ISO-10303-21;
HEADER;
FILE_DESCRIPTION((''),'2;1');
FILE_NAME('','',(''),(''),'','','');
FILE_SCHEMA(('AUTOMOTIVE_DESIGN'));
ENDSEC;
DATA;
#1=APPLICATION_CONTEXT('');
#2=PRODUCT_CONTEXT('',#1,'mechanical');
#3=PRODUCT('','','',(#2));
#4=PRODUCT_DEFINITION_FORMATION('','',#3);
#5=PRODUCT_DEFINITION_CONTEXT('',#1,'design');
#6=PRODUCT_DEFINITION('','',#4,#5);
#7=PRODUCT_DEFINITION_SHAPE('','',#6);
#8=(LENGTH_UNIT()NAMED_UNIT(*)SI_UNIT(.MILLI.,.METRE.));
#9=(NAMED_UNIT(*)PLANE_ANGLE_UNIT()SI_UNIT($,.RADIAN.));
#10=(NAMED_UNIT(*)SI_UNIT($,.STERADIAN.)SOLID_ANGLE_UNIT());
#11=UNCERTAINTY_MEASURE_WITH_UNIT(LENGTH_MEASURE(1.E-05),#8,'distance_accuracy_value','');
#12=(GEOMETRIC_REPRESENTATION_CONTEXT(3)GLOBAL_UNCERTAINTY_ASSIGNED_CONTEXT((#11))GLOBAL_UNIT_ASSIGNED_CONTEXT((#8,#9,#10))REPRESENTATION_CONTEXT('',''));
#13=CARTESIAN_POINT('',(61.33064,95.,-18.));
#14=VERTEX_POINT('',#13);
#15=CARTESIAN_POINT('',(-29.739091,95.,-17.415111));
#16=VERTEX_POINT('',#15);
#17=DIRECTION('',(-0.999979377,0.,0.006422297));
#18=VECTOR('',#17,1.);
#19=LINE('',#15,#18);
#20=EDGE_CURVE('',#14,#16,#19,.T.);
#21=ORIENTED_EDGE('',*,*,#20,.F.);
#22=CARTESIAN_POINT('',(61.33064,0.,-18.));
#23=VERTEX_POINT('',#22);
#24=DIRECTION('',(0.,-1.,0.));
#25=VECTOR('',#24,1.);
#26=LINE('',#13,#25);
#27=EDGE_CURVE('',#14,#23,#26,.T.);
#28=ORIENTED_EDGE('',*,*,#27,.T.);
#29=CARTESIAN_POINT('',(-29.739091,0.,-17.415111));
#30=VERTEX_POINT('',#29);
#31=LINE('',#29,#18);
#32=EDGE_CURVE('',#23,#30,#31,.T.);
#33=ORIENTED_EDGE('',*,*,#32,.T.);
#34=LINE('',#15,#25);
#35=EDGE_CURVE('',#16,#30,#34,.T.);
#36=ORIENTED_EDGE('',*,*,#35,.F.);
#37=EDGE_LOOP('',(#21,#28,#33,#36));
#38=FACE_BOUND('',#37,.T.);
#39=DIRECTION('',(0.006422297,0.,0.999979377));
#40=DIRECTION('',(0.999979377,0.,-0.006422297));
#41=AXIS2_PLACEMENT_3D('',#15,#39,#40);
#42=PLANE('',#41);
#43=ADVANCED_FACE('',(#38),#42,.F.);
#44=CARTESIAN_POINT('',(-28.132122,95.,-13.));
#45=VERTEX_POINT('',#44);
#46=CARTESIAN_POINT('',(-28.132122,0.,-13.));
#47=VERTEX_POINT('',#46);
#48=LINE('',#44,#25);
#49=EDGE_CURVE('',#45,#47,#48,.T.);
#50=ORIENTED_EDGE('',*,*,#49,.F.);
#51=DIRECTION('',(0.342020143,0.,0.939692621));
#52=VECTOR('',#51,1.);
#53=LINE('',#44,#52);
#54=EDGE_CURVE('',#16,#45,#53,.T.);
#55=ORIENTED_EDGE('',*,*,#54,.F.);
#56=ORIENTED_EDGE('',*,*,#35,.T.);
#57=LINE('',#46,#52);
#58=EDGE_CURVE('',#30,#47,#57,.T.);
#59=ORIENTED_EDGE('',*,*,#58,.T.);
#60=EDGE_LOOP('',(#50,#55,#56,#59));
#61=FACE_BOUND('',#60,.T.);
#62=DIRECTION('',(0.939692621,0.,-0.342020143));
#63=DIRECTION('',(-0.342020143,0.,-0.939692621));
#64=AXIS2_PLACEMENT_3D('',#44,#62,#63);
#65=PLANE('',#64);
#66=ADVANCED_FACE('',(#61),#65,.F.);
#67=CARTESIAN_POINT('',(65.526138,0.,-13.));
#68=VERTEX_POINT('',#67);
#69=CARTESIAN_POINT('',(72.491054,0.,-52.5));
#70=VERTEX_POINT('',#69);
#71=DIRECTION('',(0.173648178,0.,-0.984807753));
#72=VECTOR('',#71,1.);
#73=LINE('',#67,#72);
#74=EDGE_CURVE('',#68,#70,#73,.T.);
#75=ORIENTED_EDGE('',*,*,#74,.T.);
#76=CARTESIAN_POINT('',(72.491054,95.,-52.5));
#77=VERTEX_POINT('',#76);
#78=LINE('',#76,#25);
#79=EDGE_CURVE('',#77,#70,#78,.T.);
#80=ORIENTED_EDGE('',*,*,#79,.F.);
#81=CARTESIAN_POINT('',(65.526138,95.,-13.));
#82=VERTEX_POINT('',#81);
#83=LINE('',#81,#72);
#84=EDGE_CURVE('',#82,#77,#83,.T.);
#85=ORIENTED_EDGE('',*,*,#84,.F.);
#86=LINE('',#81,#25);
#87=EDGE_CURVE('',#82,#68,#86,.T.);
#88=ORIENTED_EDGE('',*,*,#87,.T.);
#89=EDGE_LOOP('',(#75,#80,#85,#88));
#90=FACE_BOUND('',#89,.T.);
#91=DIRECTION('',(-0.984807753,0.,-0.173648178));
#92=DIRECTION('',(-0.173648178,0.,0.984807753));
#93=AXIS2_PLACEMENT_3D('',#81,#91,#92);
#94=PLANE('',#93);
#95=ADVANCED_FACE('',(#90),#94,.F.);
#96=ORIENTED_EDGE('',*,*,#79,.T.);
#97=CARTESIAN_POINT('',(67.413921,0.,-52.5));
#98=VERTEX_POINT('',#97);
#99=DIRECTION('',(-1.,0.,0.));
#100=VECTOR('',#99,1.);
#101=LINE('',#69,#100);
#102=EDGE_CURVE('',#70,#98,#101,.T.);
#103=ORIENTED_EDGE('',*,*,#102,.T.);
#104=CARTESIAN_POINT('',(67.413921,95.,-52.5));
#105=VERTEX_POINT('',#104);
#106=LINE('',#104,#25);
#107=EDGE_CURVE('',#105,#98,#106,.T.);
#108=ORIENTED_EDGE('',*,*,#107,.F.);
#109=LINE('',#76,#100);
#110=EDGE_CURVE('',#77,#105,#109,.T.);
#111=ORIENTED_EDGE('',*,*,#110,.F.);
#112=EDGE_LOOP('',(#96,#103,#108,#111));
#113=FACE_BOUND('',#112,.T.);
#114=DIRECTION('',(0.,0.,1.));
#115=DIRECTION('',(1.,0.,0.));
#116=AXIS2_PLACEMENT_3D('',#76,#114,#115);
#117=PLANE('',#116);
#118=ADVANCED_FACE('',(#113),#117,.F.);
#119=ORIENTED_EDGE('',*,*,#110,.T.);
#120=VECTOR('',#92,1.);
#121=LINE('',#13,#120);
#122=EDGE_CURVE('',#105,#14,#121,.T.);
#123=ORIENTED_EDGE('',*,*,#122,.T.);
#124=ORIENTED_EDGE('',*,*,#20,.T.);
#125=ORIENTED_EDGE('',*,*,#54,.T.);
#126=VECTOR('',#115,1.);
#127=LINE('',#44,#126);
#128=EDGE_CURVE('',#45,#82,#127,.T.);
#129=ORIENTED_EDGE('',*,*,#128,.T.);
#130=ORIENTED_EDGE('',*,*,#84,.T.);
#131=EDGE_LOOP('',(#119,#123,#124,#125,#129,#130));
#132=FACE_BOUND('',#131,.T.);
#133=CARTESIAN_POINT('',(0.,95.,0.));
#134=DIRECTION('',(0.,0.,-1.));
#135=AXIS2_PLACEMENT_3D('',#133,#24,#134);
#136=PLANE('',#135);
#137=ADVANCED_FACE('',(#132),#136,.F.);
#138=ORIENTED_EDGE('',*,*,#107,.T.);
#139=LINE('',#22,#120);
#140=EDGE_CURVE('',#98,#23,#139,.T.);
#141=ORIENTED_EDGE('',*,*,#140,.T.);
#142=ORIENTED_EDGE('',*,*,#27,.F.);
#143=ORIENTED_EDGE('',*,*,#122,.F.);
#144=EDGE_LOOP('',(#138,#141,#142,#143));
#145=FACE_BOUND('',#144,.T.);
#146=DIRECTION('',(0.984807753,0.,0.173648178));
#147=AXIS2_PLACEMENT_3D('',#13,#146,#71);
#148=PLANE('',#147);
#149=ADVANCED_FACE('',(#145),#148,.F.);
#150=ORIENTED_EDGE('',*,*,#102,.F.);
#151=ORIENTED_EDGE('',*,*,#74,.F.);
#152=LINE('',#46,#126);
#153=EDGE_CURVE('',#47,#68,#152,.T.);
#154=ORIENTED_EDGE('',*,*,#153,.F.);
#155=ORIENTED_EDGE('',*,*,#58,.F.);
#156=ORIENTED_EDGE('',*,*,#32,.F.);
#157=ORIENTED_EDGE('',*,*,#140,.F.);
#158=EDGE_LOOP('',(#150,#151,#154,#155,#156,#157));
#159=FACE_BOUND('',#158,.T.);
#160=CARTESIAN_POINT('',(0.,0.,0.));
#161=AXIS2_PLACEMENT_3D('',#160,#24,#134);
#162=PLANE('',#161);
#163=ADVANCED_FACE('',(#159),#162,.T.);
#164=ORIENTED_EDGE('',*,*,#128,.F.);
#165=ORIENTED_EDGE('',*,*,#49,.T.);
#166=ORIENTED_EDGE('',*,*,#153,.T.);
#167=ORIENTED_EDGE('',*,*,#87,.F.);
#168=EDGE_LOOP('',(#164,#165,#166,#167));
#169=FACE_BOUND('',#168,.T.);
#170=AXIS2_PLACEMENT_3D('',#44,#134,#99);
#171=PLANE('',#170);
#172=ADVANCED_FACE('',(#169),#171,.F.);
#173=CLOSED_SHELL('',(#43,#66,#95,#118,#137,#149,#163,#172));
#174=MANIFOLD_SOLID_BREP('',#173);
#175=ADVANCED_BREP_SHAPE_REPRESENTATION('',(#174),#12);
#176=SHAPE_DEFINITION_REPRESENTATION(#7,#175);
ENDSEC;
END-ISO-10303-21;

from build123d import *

# Parameters (mm, degrees)
BOSS_EXTRUDE1_DEPTH = 95


with BuildPart() as part:
    # Sketch1 → Boss-Extrude1 (new body)
    with BuildSketch(Plane(origin=(0, 0, 0), x_dir=(-1, 0, 0), z_dir=(0, 1, 0))):
        Polygon((28.132122167, -13), (-65.526137841, -13), (-72.491053579, -52.5), (-67.41392052, -52.5), (-61.330639685, -18), (29.739091192, -17.415111108), align=None)
    extrude(amount=BOSS_EXTRUDE1_DEPTH)


solid = part.part
